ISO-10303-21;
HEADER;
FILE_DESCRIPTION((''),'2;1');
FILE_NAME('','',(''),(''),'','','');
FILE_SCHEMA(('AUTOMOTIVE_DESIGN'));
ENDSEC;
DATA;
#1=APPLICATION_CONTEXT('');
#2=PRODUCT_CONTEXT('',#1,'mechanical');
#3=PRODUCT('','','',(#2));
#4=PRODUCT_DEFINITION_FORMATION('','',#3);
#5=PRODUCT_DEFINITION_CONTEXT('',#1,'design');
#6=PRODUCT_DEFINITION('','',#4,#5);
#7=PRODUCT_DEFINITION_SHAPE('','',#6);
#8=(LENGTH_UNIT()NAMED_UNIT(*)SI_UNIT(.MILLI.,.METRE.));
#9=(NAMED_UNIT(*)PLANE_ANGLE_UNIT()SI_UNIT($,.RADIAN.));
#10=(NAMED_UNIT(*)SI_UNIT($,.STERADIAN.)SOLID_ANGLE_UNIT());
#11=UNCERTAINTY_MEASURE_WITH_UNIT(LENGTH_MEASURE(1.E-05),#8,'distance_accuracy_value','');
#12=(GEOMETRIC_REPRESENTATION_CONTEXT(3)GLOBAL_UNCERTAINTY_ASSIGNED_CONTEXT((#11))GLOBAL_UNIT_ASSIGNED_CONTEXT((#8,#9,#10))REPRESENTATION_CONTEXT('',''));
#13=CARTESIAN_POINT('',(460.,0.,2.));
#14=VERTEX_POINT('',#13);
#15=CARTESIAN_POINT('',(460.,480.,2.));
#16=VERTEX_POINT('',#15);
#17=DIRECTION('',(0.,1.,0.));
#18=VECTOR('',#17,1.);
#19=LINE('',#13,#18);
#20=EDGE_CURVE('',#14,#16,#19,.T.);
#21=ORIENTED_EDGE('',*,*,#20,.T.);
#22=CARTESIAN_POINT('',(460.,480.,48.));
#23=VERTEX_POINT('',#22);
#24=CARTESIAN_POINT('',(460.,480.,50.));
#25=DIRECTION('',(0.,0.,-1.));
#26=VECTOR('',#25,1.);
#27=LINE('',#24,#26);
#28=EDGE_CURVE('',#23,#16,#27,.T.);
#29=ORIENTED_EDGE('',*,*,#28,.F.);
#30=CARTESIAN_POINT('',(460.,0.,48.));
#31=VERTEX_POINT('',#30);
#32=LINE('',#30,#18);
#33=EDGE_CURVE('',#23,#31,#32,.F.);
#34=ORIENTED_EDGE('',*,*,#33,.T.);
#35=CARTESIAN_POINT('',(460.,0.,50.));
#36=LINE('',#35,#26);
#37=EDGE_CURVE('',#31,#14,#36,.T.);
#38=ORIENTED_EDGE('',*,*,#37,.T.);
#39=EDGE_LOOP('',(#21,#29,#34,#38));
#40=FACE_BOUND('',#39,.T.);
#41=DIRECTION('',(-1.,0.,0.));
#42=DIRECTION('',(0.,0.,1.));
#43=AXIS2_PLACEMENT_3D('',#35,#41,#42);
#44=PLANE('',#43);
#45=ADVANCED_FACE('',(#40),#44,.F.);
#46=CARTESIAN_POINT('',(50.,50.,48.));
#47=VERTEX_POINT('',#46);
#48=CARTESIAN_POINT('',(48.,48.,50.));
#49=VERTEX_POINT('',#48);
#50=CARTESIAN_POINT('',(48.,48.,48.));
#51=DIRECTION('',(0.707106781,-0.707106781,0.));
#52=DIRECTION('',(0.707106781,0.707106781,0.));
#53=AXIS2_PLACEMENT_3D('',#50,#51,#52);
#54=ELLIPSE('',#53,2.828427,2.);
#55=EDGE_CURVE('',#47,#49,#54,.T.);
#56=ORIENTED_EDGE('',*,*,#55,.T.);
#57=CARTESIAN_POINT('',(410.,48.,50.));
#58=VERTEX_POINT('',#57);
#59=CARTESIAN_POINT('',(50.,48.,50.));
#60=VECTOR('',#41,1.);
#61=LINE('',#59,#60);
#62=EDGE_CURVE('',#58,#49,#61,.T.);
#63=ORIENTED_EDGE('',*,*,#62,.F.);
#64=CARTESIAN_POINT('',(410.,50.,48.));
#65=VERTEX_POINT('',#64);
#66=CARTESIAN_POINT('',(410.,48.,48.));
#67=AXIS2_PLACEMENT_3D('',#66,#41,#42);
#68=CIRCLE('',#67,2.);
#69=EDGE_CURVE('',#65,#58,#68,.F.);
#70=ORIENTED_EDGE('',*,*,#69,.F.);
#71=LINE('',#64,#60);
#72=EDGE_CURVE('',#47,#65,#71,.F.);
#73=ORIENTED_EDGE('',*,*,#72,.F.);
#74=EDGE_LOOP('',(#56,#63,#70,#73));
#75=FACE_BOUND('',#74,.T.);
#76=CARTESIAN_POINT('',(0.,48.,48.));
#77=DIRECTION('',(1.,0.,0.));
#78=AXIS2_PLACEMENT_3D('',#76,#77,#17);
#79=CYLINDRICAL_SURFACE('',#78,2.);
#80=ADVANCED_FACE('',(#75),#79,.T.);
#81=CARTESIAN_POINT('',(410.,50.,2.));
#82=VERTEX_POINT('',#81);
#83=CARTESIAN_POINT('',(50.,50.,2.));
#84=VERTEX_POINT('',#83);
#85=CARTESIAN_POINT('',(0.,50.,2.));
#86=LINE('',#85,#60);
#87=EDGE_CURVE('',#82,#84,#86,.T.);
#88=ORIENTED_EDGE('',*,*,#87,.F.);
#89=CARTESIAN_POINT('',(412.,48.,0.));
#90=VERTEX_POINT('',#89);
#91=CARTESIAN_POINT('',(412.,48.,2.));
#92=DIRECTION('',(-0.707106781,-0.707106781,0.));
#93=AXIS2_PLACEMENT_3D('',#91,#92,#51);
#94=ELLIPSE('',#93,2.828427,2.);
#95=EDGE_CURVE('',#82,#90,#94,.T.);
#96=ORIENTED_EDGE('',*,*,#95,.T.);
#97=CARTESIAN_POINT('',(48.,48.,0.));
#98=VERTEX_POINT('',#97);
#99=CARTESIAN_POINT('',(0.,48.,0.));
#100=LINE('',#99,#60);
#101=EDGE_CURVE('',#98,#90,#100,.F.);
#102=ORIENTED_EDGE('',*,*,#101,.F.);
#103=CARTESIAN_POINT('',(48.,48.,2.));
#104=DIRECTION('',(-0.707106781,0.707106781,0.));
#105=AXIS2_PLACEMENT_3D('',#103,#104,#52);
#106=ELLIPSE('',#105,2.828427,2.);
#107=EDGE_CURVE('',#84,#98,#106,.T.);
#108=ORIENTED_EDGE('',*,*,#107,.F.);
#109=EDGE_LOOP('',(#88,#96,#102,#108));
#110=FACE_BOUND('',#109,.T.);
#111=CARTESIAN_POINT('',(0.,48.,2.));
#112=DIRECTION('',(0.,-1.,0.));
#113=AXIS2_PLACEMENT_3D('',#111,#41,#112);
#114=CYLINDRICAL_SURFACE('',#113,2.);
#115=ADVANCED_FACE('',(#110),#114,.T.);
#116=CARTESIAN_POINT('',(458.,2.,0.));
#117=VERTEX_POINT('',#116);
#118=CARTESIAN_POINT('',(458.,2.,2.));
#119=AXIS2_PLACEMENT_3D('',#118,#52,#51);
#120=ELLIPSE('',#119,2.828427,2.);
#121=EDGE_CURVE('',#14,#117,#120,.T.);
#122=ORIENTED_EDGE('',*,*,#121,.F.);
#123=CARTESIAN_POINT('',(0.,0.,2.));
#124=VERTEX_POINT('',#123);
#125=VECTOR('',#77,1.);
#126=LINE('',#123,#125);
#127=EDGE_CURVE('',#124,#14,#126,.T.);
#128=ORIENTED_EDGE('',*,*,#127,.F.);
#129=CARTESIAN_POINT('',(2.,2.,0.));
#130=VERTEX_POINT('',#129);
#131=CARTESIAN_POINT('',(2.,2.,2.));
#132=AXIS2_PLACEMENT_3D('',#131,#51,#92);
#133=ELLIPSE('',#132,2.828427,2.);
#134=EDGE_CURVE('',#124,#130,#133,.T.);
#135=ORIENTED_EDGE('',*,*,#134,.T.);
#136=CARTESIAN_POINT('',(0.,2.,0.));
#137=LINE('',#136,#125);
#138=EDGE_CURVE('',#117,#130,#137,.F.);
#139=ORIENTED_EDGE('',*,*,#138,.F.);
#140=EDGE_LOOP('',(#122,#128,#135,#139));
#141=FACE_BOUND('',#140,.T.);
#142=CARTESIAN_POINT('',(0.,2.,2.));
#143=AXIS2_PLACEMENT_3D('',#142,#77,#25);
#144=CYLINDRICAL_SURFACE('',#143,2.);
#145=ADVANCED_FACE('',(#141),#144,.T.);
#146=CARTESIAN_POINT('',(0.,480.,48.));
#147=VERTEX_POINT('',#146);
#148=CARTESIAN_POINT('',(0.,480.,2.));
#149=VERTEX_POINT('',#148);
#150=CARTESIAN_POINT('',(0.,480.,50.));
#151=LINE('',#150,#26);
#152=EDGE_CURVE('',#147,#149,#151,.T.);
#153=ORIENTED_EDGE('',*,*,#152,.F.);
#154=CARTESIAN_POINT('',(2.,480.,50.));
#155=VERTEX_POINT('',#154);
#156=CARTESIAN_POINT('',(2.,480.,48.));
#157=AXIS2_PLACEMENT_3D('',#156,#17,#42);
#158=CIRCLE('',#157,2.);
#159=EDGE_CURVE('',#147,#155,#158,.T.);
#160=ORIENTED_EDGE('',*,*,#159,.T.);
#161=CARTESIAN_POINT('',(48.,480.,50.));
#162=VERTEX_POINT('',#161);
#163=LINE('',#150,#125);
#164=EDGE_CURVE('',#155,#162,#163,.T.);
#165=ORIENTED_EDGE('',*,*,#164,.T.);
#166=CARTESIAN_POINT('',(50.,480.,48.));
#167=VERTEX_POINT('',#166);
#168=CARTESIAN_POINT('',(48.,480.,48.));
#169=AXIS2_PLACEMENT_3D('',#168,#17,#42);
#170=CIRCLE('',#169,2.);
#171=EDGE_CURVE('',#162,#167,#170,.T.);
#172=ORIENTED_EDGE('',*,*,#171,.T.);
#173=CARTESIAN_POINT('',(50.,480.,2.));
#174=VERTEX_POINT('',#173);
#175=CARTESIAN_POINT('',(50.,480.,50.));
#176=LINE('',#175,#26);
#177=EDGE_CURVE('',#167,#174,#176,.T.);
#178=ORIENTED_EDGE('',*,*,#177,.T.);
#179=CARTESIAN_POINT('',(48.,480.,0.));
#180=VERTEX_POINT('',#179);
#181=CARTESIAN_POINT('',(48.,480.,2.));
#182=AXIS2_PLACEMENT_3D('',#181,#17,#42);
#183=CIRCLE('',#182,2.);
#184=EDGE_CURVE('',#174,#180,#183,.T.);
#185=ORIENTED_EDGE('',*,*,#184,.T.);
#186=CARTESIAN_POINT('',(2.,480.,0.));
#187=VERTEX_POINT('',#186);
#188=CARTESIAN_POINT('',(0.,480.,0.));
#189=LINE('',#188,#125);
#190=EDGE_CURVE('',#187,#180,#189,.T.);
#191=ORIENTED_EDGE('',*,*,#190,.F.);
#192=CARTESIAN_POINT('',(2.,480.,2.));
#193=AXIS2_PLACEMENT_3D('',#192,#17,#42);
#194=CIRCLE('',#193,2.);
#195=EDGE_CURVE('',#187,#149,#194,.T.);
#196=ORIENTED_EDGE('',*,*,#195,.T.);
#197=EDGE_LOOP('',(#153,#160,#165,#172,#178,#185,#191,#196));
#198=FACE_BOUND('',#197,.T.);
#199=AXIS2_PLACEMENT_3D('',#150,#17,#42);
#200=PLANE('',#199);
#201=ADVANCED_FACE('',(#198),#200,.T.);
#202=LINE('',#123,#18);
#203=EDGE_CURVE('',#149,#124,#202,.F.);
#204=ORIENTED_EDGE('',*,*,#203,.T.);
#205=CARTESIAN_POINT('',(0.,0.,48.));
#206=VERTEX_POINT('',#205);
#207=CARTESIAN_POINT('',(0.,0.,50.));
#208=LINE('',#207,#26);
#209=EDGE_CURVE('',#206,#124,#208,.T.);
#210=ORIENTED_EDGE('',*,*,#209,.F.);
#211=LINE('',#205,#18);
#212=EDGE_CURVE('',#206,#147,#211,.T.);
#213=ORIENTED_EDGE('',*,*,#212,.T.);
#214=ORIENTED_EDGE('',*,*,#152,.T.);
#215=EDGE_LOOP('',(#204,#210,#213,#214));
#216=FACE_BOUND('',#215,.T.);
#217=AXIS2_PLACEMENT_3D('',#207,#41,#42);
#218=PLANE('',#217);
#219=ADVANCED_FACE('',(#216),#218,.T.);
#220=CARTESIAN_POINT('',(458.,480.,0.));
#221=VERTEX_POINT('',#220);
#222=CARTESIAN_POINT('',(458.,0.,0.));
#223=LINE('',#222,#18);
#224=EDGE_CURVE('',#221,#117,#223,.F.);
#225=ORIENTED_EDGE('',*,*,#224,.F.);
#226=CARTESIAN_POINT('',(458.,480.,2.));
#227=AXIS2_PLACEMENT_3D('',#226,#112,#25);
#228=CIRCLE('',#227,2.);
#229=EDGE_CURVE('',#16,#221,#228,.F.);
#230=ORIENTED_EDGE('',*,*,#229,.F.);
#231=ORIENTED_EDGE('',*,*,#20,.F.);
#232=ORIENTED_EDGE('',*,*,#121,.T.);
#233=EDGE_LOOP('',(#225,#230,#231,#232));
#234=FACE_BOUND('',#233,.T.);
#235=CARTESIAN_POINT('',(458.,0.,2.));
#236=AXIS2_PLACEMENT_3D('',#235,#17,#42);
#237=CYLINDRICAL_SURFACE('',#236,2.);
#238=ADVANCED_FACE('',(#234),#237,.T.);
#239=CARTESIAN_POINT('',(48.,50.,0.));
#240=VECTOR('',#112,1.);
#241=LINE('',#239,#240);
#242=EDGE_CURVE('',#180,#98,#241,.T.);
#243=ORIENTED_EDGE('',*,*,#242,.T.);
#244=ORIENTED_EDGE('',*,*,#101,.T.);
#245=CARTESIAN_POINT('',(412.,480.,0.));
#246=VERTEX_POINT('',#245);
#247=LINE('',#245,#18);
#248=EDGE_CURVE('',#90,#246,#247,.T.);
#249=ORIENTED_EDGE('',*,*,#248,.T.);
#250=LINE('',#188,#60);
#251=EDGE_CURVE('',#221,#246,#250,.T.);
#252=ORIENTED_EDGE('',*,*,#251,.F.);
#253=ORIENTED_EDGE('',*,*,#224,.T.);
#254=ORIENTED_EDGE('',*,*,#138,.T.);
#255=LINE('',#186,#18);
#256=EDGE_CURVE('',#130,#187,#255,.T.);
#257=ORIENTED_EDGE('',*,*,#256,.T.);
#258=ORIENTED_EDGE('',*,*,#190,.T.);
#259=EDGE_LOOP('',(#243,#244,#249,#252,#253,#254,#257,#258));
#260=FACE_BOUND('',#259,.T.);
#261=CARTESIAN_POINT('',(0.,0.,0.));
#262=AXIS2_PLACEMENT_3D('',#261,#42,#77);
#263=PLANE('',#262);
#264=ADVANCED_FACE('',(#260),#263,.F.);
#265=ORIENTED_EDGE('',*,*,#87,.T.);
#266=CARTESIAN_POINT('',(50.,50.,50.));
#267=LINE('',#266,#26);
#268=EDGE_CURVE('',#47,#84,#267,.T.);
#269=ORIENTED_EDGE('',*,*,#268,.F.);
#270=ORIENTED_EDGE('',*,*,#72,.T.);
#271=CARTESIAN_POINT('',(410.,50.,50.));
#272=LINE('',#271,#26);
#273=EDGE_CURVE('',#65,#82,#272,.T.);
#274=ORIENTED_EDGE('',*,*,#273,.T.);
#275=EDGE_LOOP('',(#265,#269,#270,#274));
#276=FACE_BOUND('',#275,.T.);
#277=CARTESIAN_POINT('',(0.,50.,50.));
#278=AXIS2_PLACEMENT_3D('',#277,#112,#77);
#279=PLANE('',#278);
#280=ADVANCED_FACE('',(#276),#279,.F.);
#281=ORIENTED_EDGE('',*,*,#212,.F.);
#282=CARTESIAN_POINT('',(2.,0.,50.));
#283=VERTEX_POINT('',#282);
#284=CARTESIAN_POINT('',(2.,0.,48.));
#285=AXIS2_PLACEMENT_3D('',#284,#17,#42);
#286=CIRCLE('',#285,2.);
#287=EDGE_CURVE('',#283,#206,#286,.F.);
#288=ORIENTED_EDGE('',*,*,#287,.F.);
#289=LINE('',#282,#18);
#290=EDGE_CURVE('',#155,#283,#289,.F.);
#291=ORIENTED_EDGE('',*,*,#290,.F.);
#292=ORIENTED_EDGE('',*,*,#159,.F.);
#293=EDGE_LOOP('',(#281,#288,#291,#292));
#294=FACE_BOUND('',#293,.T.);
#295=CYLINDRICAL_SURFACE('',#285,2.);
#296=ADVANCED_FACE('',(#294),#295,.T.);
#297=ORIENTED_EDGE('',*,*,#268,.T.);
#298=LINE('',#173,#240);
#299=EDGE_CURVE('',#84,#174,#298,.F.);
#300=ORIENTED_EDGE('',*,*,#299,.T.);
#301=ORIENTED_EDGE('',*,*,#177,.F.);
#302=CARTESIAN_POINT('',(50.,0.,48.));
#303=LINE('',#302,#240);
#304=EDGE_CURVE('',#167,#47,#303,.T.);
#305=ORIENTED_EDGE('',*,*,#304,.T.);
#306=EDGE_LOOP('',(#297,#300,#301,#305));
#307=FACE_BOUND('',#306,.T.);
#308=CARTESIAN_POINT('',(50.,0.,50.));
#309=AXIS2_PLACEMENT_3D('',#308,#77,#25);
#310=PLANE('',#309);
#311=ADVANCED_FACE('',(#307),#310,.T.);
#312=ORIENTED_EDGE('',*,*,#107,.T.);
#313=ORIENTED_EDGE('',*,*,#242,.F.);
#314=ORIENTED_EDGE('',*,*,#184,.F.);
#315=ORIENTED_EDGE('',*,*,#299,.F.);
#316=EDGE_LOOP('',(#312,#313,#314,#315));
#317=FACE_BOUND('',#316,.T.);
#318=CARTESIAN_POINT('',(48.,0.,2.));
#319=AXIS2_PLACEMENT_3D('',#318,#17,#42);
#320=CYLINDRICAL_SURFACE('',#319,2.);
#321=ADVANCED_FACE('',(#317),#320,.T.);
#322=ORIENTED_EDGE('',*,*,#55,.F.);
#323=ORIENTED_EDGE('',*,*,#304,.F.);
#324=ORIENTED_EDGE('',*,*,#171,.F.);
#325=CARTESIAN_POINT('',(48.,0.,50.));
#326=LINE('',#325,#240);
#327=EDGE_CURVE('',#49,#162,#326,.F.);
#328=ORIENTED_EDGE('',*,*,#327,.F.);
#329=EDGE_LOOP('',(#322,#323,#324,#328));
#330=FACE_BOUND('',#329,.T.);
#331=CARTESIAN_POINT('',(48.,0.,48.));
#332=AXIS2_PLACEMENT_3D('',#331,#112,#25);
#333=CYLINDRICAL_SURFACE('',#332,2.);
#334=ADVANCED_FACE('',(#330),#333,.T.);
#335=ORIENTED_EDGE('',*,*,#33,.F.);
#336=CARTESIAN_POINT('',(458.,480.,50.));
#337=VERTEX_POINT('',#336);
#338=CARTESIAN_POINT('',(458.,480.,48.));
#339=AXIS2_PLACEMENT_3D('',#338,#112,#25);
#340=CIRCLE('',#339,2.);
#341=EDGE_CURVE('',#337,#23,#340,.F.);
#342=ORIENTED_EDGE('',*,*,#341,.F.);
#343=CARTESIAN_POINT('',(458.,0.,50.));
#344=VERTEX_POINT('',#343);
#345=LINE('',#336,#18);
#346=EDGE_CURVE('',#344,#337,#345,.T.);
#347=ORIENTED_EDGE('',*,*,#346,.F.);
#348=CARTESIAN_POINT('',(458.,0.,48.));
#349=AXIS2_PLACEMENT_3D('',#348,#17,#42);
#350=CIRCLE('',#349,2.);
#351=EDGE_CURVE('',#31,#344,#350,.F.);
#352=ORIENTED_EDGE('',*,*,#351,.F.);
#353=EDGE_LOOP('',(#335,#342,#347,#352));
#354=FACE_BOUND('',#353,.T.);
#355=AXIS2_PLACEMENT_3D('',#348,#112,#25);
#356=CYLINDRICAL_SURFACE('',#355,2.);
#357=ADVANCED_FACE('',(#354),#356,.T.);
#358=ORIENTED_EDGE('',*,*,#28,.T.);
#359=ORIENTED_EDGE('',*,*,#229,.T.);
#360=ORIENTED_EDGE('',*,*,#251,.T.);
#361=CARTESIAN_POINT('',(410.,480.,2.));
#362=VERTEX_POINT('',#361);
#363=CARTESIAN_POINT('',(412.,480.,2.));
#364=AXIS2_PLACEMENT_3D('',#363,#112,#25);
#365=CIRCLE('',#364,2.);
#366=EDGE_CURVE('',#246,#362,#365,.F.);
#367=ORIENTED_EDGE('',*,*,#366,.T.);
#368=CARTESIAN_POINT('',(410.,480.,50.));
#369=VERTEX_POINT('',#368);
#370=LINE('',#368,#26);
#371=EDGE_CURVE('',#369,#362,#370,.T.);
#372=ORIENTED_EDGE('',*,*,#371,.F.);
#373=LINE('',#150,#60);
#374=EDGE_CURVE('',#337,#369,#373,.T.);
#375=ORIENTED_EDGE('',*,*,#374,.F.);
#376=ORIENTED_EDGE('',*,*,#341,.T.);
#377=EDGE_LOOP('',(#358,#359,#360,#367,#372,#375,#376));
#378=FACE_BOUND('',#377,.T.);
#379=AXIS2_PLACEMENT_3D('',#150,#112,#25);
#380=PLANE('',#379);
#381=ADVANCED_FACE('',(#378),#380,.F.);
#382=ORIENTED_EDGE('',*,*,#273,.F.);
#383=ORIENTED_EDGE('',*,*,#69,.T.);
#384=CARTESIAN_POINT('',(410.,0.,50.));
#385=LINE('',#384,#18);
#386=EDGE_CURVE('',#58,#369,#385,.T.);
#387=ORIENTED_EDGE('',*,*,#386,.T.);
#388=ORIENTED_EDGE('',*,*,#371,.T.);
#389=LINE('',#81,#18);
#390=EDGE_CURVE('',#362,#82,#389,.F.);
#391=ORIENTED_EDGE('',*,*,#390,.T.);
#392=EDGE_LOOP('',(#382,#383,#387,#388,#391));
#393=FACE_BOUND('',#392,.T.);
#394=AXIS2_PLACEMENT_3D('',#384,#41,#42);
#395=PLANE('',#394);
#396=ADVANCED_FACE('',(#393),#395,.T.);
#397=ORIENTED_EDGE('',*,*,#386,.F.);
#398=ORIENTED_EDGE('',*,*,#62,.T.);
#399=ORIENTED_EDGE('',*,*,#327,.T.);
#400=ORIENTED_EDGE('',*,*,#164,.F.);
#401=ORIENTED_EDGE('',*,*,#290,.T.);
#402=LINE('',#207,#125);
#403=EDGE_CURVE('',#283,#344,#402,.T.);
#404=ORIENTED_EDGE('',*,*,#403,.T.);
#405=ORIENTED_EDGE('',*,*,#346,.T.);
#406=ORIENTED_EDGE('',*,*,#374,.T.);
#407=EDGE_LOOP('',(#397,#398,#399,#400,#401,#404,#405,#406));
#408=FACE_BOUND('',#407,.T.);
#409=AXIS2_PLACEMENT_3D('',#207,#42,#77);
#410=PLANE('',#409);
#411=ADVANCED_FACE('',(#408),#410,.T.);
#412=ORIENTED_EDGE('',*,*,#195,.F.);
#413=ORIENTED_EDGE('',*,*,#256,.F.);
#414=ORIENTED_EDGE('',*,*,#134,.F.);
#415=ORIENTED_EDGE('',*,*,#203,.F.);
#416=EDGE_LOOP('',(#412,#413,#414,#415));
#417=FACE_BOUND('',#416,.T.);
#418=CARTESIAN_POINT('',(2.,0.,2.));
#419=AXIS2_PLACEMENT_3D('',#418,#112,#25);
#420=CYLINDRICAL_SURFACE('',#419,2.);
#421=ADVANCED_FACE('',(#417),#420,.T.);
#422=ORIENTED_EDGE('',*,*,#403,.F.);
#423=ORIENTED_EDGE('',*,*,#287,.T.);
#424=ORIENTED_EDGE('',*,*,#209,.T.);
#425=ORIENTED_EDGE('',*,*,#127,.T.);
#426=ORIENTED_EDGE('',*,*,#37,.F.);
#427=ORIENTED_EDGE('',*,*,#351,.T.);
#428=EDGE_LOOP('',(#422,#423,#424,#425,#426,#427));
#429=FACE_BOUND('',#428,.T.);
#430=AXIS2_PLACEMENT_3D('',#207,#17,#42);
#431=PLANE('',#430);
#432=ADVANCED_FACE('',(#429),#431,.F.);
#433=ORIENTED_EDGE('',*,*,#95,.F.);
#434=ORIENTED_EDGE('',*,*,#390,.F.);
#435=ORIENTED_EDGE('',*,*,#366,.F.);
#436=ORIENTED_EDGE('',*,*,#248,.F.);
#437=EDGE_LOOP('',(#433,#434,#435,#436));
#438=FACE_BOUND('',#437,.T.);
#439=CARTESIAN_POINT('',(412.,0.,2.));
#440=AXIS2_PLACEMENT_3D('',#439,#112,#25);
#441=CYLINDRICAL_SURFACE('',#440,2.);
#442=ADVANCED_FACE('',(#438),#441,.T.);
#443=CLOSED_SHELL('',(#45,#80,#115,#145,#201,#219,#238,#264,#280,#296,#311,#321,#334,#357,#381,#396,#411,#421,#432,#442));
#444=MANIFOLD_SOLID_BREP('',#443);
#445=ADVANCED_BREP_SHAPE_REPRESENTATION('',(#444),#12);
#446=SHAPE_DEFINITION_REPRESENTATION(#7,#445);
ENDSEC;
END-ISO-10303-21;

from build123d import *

# Parameters (mm, degrees)
BOSS_EXTRUDE1_DEPTH = 50
FILLET1_R           = 2


with BuildPart() as part:
    # Sketch1 → Boss-Extrude1 (new body)
    with BuildSketch(Plane.XY):
        Polygon((410, 480), (410, 50), (50, 50), (50, 480), (0, 480), (0, 50), (0, 0), (460, 0), (460, 50), (460, 480), align=None)
    extrude(amount=BOSS_EXTRUDE1_DEPTH)

    # Fillet1
    fillet1_edges = [part.edges().sort_by_distance(p)[0] for p in [
        (460, 240, 0),
        (230, 0, 0),
        (0, 240, 0),
        (50, 265, 0),
        (0, 240, 50),
        (460, 240, 50),
        (230, 50, 50),
        (50, 265, 50),
        (230, 50, 0),
        (410, 265, 0),
    ]]
    fillet(fillet1_edges, radius=FILLET1_R)


solid = part.part
